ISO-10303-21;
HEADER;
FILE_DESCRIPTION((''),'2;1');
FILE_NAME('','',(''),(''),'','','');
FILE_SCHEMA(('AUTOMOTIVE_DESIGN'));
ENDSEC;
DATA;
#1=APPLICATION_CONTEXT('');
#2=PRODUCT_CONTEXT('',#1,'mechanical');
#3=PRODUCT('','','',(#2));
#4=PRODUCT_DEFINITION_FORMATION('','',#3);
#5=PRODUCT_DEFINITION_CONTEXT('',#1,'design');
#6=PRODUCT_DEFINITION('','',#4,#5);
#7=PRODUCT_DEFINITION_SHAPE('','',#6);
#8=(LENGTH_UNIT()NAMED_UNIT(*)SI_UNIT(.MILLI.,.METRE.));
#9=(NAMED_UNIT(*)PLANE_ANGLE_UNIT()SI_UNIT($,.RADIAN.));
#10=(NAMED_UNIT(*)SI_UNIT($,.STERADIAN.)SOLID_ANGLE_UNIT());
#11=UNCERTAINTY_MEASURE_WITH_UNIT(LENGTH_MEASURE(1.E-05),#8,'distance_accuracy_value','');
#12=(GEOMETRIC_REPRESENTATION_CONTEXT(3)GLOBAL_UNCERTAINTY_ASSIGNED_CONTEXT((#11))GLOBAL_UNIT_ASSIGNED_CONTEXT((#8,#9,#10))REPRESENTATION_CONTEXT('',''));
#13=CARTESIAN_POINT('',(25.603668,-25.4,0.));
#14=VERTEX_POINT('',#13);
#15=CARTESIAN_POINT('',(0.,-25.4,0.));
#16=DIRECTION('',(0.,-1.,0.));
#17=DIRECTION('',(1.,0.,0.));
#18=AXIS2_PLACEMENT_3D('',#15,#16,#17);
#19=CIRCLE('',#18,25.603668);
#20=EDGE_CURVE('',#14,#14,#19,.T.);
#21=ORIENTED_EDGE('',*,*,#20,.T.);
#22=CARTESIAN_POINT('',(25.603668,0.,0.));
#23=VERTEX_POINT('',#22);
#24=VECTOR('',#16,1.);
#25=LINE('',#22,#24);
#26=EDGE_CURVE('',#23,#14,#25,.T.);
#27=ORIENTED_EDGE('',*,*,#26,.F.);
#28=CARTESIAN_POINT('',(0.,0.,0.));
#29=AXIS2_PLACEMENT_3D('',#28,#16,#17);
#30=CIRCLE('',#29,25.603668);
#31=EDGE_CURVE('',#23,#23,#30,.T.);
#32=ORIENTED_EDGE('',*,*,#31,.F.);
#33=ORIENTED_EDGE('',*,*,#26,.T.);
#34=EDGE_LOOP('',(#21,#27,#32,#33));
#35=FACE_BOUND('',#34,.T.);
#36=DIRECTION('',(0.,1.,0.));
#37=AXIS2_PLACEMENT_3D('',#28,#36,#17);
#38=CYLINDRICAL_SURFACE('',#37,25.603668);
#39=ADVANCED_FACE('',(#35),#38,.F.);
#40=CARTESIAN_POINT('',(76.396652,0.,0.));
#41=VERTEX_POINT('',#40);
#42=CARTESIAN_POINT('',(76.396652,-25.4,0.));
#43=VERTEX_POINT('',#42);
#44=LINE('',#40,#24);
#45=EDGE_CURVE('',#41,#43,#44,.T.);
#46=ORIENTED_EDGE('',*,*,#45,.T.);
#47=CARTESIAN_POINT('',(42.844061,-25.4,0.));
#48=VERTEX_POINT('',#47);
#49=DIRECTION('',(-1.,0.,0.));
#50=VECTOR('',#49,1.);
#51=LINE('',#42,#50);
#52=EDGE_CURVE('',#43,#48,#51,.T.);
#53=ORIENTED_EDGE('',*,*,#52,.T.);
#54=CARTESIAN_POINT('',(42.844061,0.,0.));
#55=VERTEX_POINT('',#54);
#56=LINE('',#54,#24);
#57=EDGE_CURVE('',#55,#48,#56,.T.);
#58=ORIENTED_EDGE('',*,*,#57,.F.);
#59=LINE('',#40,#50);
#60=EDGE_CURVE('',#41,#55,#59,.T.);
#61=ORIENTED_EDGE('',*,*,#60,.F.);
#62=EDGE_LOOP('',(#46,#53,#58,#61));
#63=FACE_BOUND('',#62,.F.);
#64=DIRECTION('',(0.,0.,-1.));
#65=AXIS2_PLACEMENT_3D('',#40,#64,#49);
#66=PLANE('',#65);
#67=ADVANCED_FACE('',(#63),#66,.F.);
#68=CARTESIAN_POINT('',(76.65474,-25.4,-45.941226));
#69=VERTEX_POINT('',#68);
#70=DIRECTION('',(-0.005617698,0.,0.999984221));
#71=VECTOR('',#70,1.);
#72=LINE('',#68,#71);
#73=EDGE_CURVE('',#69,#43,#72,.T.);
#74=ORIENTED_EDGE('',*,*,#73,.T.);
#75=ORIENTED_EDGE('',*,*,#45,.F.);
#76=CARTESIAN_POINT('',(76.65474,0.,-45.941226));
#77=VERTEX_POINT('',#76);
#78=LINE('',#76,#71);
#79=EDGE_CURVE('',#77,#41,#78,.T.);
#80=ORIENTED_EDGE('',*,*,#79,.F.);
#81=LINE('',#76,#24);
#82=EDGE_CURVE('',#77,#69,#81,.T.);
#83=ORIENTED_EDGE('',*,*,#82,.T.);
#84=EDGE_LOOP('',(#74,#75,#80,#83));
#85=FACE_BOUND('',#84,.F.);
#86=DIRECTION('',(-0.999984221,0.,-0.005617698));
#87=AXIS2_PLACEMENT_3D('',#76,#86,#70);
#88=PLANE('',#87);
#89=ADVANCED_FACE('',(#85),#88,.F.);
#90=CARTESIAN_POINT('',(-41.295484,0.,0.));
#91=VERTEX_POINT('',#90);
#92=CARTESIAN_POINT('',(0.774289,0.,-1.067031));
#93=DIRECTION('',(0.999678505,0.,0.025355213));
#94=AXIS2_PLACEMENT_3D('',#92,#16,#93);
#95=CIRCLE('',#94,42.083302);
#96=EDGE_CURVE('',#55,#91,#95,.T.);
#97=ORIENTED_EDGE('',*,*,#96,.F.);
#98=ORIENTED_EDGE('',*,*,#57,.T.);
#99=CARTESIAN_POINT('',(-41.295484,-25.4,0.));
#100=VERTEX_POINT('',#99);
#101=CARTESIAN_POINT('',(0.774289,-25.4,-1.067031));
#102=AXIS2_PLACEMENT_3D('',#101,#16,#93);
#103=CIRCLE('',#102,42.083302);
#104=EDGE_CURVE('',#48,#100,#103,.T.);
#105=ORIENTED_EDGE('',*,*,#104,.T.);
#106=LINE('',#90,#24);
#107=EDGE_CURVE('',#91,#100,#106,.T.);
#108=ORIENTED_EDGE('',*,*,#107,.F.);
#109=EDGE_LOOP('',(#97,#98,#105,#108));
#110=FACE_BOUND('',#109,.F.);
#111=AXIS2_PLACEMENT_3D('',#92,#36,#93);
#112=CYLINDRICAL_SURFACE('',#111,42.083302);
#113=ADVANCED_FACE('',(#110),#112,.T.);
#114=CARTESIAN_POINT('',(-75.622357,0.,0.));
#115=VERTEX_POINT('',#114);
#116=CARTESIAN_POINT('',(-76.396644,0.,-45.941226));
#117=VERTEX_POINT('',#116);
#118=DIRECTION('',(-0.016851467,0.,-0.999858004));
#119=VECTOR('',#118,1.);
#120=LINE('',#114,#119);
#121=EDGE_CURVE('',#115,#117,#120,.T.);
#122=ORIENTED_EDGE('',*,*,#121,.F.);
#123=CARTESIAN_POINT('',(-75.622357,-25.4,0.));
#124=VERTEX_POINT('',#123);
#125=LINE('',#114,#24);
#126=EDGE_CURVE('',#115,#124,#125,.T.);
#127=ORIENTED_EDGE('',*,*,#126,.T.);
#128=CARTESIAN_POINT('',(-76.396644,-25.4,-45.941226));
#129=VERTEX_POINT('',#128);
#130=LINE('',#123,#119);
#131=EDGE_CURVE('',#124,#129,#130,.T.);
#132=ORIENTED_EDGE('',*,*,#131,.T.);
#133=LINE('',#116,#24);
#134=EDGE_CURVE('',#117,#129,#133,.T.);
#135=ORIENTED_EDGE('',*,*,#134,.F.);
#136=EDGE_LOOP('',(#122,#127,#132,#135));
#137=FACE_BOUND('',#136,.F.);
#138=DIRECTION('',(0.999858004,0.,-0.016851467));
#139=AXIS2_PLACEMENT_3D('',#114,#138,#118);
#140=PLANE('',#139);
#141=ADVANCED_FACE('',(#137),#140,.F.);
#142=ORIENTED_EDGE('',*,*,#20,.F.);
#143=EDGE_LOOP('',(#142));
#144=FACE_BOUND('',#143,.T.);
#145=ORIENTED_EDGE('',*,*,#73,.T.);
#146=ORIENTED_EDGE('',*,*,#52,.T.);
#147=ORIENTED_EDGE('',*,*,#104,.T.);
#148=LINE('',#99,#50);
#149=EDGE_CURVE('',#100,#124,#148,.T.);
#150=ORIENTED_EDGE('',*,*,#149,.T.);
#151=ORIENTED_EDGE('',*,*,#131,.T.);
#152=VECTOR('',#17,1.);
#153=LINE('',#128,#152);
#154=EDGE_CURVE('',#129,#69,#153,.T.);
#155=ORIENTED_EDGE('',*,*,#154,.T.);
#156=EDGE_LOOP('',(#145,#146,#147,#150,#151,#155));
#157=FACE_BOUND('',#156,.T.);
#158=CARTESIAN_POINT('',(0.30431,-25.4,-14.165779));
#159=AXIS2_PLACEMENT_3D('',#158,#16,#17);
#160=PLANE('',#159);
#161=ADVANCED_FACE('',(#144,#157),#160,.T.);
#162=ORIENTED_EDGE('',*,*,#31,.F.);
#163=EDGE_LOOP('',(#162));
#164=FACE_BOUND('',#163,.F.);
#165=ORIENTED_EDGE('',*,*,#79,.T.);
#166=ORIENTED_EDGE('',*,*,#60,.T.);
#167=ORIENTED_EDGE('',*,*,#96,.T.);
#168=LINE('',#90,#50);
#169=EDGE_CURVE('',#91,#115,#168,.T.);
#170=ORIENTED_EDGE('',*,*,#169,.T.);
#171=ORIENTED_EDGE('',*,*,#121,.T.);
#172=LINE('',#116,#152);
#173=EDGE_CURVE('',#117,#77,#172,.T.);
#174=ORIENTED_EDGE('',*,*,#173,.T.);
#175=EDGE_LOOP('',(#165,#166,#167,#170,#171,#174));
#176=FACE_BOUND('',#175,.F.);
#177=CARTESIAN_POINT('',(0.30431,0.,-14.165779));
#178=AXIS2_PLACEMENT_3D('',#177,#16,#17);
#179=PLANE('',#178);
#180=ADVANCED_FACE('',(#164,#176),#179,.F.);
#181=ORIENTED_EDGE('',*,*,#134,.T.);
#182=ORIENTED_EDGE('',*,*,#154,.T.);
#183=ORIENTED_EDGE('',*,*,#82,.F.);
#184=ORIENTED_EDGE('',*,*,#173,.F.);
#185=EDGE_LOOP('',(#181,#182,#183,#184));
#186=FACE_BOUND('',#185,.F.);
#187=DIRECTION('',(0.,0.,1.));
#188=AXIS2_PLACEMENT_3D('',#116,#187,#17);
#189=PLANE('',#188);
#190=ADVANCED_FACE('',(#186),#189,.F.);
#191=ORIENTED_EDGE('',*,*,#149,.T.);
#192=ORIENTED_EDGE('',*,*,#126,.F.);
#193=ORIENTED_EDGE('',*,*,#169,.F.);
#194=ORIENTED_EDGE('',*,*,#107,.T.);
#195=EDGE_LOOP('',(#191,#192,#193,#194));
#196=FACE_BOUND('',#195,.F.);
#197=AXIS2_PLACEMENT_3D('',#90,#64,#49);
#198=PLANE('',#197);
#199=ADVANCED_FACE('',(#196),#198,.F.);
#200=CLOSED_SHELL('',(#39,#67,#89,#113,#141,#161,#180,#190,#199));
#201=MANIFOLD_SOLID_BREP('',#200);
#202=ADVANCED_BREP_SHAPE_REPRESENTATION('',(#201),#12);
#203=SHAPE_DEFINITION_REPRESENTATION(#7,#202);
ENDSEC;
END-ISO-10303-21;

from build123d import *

# Parameters (mm, degrees)
F0_R     = 25.603668
F1_DEPTH = 25.4


with BuildPart() as f1:
    # F0 (on Front) → F1 (new body)
    with BuildSketch(Plane.XZ):
        with BuildLine():
            Line((-75.622357, 0), (-76.396644, -45.941226))
            Line((-76.396644, -45.941226), (76.65474, -45.941226))
            Line((76.65474, -45.941226), (76.396652, 0))
            Line((76.396652, 0), (42.844061, 0))
            ThreePointArc((42.844061, 0), (0.774289, 41.016271), (-41.295484, 0))
            Line((-41.295484, 0), (-75.622357, 0))
        make_face()
        Circle(F0_R, mode=Mode.SUBTRACT)
    extrude(amount=F1_DEPTH)


solid = f1.part
